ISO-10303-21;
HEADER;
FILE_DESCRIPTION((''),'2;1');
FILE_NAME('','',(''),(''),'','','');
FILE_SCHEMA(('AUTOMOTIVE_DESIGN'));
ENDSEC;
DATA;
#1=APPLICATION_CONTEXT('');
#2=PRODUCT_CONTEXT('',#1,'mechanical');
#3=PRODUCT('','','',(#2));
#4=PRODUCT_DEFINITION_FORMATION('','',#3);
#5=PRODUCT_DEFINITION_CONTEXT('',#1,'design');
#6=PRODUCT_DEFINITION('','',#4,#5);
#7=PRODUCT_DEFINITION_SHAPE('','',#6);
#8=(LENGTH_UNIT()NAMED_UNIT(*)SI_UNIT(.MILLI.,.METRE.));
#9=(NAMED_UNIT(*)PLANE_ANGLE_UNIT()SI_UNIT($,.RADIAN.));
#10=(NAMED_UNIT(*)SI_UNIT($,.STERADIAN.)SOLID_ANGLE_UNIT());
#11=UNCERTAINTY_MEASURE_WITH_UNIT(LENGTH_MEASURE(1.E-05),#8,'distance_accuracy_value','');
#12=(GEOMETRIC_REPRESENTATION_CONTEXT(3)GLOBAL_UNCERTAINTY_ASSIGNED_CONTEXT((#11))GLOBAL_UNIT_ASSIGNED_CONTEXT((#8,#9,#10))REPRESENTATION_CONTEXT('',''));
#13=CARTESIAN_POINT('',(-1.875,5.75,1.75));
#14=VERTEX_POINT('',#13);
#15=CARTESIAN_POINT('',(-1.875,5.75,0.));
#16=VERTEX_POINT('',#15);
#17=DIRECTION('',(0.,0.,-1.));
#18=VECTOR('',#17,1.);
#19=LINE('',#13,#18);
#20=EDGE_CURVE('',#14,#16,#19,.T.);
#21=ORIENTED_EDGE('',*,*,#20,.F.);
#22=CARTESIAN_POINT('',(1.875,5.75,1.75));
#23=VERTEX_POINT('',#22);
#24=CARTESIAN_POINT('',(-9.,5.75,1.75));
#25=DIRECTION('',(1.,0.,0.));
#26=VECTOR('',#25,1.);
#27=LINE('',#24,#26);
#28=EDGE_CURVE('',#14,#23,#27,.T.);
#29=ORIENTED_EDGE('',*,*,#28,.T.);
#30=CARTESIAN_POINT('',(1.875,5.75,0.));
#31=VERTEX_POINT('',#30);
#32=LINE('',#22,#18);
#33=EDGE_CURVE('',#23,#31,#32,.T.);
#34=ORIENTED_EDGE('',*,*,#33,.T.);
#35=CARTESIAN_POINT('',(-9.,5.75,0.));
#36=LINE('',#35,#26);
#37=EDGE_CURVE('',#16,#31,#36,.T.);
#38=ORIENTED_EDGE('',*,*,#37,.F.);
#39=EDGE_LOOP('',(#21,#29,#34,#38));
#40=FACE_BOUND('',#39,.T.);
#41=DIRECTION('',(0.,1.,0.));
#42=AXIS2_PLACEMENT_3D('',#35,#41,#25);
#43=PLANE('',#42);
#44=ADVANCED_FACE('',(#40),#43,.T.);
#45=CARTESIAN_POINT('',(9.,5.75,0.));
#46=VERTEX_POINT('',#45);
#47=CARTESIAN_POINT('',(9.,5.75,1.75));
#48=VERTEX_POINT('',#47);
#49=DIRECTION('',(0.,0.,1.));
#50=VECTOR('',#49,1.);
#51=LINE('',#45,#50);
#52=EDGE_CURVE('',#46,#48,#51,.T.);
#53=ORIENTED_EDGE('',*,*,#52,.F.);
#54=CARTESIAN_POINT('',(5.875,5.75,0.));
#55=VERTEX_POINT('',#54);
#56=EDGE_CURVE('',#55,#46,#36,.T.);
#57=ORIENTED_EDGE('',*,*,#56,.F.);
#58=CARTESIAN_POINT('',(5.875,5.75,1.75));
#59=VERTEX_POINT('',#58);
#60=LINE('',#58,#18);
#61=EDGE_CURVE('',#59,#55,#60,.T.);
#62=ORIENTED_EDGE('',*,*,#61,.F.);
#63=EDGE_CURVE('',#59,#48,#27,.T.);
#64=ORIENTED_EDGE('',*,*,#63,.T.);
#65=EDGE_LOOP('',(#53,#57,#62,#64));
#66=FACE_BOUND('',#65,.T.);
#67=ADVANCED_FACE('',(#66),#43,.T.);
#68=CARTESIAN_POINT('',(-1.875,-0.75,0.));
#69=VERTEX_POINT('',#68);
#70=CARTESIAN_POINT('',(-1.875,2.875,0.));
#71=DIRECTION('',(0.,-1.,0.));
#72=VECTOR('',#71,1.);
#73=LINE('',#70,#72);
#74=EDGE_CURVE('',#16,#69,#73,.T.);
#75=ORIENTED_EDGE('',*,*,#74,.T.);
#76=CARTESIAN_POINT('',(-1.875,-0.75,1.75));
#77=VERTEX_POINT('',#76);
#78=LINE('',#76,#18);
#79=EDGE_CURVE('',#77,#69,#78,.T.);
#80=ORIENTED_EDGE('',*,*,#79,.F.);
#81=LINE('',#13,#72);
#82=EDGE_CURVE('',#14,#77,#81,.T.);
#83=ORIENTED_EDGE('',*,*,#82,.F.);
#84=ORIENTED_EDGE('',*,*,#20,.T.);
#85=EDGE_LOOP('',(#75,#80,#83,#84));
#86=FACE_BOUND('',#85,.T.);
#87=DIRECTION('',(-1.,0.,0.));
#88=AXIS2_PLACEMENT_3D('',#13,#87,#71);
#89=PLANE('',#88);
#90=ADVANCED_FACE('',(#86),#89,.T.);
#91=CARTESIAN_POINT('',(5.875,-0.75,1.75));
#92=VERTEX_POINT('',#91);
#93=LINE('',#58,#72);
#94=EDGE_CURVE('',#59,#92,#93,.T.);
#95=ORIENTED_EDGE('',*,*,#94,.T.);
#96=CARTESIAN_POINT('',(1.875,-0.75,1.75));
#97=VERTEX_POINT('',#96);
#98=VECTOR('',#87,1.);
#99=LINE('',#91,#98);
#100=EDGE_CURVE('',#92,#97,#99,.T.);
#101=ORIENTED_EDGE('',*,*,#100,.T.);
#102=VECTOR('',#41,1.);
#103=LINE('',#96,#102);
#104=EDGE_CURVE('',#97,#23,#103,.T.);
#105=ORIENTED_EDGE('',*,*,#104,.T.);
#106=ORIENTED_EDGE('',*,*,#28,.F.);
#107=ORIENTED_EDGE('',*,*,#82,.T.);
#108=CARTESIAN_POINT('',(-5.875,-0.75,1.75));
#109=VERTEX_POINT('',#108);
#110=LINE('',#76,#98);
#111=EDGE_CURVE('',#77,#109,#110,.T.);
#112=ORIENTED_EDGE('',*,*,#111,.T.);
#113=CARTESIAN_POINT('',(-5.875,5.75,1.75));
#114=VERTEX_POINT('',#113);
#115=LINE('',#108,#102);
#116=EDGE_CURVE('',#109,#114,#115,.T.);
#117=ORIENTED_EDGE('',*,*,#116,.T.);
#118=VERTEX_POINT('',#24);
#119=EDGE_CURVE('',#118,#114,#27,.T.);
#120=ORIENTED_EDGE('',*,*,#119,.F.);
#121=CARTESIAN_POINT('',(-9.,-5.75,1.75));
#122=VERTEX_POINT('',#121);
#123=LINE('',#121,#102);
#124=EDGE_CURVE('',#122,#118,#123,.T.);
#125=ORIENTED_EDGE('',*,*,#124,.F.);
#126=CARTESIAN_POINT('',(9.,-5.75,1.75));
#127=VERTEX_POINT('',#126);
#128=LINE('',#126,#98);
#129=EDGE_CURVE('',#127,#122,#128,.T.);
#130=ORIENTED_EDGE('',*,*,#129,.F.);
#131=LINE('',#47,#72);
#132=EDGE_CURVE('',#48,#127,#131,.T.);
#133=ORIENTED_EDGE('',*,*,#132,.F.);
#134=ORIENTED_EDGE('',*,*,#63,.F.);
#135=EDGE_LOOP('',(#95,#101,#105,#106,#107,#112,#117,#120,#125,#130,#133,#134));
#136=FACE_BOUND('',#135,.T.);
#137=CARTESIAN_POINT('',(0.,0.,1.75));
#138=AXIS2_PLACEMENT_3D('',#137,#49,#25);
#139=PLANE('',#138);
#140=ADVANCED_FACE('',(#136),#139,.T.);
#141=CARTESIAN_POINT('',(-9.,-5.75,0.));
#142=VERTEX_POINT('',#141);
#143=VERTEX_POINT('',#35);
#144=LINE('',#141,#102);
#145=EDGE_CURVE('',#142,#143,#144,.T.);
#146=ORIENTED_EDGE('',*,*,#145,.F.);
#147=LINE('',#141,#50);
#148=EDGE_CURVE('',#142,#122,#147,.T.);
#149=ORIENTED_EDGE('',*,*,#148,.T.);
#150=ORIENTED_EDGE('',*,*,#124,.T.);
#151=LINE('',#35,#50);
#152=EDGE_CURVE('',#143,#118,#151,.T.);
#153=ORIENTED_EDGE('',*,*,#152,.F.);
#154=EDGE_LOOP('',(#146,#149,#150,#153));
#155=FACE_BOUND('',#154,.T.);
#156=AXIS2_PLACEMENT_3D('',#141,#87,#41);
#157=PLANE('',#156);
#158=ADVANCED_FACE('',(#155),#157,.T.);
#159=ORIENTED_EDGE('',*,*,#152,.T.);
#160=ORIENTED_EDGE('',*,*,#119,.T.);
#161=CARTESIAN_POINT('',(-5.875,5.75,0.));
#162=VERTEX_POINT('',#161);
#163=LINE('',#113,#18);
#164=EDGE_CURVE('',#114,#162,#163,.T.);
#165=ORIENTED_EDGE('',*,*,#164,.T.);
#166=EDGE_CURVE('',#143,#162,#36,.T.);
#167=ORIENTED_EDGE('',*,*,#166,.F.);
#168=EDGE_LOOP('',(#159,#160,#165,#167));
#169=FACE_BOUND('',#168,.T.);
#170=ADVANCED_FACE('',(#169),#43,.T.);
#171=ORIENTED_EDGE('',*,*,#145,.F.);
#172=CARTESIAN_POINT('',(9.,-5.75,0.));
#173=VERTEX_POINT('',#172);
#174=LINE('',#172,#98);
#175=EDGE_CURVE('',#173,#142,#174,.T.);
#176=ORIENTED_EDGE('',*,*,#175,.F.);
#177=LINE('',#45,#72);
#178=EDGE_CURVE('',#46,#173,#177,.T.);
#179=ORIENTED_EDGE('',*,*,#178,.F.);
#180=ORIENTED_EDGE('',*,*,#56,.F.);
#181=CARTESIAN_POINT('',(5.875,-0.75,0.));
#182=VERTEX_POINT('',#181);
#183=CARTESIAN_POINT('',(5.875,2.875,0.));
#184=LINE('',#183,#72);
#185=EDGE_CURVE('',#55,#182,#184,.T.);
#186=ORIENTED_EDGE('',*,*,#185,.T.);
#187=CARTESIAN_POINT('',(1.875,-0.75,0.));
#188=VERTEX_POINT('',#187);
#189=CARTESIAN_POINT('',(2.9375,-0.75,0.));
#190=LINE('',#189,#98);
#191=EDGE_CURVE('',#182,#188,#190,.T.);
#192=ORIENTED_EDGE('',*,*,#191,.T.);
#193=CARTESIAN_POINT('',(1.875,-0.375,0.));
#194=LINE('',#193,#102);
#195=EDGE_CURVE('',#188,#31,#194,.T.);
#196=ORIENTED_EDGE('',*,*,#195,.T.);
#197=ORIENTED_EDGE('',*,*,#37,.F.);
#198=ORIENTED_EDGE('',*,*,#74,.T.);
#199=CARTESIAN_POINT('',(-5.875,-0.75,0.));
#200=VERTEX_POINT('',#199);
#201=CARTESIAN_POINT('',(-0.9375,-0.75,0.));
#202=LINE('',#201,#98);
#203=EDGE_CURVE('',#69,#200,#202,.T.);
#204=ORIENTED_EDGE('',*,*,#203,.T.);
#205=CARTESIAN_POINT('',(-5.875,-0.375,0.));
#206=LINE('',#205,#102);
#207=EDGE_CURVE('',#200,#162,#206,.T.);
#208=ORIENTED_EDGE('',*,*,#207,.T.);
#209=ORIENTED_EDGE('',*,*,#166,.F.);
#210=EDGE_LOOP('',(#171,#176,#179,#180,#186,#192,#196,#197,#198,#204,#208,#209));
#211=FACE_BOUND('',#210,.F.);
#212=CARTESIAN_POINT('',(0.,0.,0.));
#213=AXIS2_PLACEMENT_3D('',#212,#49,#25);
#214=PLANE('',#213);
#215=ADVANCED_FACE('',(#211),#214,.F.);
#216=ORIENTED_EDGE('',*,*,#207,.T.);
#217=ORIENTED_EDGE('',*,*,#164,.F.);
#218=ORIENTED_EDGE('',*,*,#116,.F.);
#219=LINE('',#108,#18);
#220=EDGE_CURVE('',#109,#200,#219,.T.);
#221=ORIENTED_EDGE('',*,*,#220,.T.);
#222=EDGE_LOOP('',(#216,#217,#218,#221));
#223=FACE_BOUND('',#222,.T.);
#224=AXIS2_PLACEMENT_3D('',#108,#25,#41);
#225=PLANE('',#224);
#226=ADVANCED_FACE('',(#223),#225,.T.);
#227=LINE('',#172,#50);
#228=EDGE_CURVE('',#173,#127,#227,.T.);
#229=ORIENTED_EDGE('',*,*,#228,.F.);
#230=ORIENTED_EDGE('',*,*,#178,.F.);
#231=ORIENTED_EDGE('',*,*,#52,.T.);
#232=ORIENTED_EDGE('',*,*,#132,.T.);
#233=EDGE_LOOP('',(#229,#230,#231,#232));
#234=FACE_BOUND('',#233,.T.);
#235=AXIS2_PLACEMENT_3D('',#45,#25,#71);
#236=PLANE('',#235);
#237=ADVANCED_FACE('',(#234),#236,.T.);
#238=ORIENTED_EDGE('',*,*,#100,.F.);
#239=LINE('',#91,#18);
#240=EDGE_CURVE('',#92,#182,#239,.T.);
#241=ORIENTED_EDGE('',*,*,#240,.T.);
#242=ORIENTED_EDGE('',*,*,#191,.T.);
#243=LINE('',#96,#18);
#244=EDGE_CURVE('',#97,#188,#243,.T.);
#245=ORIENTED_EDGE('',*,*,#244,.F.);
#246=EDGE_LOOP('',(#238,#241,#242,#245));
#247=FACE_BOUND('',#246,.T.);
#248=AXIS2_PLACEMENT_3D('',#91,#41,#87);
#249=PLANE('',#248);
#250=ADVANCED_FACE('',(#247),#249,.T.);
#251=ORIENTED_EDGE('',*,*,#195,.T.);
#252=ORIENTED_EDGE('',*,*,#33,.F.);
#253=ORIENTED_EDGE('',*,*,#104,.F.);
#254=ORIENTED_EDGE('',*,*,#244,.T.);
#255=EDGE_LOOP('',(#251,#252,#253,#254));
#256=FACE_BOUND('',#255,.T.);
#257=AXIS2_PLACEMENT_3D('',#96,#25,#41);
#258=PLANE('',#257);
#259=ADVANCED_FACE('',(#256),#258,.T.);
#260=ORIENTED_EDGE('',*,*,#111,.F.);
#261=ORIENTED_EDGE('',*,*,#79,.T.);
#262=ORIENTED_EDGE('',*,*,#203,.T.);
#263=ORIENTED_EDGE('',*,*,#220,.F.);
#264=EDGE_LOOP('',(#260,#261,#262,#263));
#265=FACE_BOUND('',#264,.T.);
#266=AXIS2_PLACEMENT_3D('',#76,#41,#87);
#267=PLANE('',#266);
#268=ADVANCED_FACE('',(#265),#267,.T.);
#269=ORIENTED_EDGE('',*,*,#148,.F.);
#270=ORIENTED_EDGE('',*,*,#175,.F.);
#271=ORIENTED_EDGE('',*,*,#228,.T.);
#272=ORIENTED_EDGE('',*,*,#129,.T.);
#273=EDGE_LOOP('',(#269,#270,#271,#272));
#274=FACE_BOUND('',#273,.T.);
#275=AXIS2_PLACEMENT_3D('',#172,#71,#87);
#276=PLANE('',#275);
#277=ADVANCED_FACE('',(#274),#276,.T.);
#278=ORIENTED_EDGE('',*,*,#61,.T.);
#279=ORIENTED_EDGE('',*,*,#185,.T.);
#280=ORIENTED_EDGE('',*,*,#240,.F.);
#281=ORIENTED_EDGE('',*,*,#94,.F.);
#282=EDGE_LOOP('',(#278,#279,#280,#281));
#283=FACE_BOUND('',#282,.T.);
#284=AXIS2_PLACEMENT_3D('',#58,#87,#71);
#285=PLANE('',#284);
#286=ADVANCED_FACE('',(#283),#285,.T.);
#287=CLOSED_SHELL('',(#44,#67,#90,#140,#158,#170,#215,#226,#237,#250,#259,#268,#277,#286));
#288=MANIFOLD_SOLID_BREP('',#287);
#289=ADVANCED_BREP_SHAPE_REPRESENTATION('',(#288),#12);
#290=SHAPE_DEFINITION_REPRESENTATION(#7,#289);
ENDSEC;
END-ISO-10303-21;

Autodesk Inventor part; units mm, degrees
ref_plane "YZ Plane" through (0, 0, 0) normal (1, 0, 0) x (0, 1, 0)
ref_plane "XZ Plane" through (0, 0, 0) normal (0, 1, 0) x (-1, 0, 0)
ref_plane "XY Plane" through (0, 0, 0) normal (0, 0, 1) x (1, 0, 0)
sketch "Sketch16" plane through (0, 0, 0) normal (0, 0, 1) x (1, 0, 0)
  line L0 (-9, 5.75) -> (9, 5.75)
  line L1 (9, 5.75) -> (9, -5.75)
  line L2 (9, -5.75) -> (-9, -5.75)
  line L3 (-9, -5.75) -> (-9, 5.75)
  line L4 (-9, 5.75) -> (9, -5.75) construction
  line L5 (9, 5.75) -> (-9, -5.75) construction
  point P0 (0, 0)
  dimension "d82" = 18
  dimension "d90" = 11.5
extrude "Extrusion16" add sketch "Sketch16" along normal blind 1.75
sketch "Sketch17" plane through (0, 0, 1.75) normal (0, 0, 1) x (1, 0, 0)
  line L0 (-9, -5.75) -> (9, -5.75) construction
  line L1 (9, -5.75) -> (9, 5.75) construction
  line L2 (9, 5.75) -> (-9, 5.75) construction
  line L3 (-9, 5.75) -> (-9, -5.75) construction
  line L4 (-5.875, 5.75) -> (-1.875, 5.75)
  line L5 (-1.875, 5.75) -> (-1.875, -0.75)
  line L6 (-1.875, -0.75) -> (-5.875, -0.75)
  line L7 (-5.875, -0.75) -> (-5.875, 5.75)
  line L8 (1.875, 5.75) -> (5.875, 5.75)
  line L9 (5.875, 5.75) -> (5.875, -0.75)
  line L10 (5.875, -0.75) -> (1.875, -0.75)
  line L11 (1.875, -0.75) -> (1.875, 5.75)
  line L12 (5.875, -0.75) -> (9, -0.75) construction
  line L13 (1.875, -0.75) -> (-1.875, -0.75) construction
  line L14 (-5.875, -0.75) -> (-9, -0.75) construction
  point P0 (0, 0)
  point P1 (0, -0.75)
  dimension "d85" = 3.75
  dimension "d86" = 4
  dimension "d87" = 6.5
extrude "Extrusion17" cut sketch "Sketch17" against normal through all
properties part number "base"
